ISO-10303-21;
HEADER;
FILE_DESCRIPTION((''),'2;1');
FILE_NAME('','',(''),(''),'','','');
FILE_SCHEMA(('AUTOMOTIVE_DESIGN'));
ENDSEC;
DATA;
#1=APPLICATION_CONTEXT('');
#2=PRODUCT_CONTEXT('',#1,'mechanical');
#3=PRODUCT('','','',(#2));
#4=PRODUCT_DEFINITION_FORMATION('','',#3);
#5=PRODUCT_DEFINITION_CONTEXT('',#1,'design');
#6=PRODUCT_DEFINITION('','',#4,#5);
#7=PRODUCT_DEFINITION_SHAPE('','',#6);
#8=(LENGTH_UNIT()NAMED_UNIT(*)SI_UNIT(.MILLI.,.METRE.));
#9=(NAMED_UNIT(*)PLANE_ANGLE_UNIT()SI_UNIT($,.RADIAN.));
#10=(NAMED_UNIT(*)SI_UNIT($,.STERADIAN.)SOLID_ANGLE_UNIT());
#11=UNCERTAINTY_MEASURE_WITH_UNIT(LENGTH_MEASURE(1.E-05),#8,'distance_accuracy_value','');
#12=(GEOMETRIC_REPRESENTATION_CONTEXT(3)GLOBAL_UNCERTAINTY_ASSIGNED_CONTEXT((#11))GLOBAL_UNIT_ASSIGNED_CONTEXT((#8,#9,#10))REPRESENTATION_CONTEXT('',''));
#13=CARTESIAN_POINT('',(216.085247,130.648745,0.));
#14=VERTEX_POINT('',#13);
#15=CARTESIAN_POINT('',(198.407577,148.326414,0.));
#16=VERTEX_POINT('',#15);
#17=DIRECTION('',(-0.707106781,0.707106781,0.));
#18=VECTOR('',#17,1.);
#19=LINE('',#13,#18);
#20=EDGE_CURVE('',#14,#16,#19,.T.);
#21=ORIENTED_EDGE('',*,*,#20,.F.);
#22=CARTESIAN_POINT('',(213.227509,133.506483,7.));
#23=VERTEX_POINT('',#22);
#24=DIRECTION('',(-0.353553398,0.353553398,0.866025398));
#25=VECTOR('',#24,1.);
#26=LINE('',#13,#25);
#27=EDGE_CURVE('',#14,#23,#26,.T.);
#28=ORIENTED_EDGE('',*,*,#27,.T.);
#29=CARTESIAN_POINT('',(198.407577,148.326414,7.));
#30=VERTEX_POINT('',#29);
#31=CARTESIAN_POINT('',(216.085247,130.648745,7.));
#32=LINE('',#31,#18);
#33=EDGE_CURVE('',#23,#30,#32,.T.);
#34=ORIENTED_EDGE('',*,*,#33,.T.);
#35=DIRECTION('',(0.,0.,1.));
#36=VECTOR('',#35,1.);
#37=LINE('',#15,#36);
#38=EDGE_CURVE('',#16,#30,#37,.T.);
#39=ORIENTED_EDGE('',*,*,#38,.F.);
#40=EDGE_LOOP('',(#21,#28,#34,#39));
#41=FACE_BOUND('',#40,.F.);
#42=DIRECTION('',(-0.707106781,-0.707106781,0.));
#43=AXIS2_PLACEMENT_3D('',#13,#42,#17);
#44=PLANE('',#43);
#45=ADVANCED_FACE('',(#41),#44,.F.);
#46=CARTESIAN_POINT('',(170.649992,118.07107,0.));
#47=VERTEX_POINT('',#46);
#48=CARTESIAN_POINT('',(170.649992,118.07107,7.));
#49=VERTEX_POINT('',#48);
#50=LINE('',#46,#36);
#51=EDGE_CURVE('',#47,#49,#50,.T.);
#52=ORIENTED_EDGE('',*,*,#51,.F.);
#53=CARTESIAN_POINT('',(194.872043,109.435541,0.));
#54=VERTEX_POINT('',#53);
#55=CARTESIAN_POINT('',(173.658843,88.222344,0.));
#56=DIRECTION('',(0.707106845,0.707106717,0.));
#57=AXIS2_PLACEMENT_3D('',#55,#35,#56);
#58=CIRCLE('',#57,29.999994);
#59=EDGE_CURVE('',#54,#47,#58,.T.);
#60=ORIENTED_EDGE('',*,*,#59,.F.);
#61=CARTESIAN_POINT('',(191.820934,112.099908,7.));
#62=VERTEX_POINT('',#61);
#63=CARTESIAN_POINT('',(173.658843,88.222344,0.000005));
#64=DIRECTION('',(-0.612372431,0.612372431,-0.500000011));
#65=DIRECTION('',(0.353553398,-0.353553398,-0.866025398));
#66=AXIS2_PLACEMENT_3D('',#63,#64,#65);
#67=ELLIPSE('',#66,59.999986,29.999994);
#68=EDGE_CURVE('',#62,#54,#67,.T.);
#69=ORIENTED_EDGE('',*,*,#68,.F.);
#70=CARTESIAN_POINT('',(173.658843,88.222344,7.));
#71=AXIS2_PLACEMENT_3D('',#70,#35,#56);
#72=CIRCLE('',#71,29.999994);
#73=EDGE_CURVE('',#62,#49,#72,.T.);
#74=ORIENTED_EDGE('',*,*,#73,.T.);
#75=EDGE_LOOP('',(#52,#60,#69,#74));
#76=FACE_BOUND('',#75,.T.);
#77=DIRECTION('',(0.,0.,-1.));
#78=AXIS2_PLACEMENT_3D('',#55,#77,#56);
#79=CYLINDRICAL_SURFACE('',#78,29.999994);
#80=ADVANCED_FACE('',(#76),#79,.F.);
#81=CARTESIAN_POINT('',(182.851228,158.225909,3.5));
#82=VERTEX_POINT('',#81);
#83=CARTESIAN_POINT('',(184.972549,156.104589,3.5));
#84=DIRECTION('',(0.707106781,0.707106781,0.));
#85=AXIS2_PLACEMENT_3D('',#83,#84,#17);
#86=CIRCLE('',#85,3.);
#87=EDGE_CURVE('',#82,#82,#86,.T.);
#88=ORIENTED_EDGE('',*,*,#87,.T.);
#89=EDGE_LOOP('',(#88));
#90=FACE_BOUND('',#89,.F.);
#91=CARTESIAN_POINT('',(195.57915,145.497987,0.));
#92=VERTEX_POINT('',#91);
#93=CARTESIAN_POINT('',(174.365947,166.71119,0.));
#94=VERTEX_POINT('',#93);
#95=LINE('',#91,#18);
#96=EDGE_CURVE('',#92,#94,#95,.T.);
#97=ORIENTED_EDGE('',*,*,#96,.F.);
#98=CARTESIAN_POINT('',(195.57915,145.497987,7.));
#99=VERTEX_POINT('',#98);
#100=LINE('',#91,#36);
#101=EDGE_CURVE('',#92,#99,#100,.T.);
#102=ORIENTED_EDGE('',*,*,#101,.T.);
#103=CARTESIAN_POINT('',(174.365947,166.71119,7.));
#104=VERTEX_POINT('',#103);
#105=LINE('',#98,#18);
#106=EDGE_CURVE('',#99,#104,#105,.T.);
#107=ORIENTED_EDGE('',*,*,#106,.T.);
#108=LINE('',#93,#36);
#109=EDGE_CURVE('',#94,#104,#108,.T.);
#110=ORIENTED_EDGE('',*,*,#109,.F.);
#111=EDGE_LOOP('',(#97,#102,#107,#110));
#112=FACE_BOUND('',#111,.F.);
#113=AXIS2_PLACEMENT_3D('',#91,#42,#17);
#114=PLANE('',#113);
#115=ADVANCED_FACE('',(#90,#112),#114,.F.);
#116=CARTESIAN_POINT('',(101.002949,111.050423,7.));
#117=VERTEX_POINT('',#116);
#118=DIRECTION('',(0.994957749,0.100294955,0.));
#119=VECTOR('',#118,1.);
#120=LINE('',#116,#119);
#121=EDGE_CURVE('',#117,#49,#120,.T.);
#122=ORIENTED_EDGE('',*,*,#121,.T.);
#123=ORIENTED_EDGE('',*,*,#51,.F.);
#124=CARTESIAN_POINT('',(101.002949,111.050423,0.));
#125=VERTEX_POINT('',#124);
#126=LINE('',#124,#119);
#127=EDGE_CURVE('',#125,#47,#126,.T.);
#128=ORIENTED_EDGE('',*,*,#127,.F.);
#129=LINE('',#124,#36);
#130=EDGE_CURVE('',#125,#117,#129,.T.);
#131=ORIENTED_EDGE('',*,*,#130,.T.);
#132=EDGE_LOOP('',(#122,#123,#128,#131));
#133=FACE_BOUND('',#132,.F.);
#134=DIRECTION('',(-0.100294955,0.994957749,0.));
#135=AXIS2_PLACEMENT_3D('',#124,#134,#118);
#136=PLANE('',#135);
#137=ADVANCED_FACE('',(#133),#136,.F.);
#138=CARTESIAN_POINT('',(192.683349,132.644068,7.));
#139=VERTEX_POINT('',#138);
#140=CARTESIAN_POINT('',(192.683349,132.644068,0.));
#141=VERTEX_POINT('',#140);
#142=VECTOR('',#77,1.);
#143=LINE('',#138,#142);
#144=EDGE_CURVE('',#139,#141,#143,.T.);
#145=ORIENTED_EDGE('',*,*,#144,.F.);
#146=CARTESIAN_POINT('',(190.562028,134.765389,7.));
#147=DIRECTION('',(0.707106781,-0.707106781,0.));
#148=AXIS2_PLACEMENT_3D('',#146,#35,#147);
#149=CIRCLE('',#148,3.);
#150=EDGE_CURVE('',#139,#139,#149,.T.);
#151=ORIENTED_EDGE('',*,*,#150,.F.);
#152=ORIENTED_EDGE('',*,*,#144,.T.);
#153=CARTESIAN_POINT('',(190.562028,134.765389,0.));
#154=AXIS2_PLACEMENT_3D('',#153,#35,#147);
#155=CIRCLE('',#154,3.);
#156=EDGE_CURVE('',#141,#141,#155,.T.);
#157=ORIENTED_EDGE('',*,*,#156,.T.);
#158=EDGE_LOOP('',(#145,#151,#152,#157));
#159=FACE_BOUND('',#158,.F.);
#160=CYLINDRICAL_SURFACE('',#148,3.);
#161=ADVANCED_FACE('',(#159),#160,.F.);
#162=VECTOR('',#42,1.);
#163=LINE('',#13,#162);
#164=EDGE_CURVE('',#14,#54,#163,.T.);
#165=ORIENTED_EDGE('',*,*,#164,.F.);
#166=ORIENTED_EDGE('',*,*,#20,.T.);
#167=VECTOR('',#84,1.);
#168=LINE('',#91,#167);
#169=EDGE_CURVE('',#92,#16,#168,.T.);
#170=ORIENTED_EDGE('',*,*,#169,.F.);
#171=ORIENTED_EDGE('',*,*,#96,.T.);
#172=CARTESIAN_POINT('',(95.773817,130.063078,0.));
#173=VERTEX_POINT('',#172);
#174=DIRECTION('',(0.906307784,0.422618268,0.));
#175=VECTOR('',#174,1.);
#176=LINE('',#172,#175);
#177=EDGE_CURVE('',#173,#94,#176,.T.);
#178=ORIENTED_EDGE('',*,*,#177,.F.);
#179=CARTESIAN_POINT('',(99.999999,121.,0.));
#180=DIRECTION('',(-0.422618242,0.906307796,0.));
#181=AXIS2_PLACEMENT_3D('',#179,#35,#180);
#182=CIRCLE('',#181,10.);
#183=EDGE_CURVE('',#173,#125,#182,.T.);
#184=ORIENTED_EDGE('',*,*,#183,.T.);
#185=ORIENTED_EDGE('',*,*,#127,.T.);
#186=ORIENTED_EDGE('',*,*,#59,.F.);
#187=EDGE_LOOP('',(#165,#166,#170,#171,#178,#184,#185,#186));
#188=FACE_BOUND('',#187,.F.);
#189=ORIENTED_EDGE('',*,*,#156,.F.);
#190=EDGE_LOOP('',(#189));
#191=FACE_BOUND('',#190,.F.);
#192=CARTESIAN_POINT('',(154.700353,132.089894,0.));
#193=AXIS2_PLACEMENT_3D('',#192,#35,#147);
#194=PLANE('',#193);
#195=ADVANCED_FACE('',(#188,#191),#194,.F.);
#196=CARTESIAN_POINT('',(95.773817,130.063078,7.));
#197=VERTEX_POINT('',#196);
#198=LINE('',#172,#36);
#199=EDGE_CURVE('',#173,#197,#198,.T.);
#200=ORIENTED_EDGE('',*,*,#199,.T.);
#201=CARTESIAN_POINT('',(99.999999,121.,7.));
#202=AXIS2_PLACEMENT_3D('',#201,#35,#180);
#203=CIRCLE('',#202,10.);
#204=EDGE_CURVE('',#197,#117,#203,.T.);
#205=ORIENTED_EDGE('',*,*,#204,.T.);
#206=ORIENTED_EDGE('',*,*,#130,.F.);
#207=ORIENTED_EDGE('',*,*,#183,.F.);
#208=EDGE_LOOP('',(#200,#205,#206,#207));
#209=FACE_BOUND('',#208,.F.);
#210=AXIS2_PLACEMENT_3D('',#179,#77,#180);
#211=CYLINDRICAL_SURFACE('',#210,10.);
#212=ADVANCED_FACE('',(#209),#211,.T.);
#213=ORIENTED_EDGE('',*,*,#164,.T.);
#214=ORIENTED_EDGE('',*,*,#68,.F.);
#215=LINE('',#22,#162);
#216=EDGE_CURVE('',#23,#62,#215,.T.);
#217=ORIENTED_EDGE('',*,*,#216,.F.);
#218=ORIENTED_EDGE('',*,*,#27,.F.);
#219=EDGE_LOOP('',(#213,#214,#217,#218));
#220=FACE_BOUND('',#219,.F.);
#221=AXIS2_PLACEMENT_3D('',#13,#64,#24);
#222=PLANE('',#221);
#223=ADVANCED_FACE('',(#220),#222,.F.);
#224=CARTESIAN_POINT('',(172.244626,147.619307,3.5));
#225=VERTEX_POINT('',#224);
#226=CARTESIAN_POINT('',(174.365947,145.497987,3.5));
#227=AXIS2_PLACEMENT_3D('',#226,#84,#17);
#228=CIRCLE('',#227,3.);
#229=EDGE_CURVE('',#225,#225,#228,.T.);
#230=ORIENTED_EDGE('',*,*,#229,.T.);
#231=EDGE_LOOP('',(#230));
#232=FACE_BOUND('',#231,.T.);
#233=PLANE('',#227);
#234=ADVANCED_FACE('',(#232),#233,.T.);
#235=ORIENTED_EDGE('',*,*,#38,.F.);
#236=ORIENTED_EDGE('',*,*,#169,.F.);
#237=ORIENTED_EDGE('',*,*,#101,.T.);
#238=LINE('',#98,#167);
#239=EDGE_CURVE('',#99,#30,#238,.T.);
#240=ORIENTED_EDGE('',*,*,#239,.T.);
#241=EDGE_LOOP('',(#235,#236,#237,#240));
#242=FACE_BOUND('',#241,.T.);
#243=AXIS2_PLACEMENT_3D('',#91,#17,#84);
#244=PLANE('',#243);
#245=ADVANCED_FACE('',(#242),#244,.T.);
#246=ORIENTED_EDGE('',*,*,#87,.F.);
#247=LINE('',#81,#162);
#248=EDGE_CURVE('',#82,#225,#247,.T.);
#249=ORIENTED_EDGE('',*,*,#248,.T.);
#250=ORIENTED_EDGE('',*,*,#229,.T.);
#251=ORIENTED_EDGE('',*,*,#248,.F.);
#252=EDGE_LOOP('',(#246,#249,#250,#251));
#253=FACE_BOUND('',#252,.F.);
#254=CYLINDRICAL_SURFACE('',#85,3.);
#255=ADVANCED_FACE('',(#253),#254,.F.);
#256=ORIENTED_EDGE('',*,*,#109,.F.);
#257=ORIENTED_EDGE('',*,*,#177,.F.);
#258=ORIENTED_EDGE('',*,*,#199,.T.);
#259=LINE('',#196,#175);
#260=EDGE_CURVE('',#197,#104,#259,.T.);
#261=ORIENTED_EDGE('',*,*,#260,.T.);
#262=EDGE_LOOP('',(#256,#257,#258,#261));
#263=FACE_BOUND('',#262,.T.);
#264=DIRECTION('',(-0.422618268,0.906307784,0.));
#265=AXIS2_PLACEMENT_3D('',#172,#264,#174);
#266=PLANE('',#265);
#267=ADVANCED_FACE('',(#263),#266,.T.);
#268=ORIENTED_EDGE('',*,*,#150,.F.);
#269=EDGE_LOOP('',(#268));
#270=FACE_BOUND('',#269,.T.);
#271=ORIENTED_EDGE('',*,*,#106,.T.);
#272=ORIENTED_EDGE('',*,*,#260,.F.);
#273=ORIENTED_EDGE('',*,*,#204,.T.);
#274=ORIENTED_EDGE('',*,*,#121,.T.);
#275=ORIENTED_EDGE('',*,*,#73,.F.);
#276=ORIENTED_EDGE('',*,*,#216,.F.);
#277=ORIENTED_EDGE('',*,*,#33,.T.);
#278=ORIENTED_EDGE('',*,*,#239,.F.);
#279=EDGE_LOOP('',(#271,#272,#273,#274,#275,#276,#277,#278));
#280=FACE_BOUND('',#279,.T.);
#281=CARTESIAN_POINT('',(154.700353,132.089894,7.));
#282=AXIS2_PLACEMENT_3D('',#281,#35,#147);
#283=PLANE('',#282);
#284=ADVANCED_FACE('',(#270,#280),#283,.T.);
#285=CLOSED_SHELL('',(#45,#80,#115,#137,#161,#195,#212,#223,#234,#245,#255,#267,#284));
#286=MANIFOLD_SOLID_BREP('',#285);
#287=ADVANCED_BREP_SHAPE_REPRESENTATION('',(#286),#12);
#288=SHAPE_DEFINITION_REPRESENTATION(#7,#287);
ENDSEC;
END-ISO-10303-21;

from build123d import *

# Parameters (mm, degrees)
PAD002_DEPTH             = 7
SKETCH025_R              = 3
POCKET018_DEPTH          = 15
POCKET019_DEPTH          = 98.908358
SKETCH028_R              = 3
POCKET021_DEPTH          = 7.001
CLONE002_PLACEMENT_ANGLE = 45


with BuildPart() as part:
    # Sketch023 → Pad002 (new body)
    with BuildSketch(Plane.XY):
        with BuildLine():
            Line((75.261973, 88.907358), (50.261973, 88.907358))
            Line((50.261973, 84.907358), (50.261973, 88.907358))
            Line((50.261973, 84.907358), (20.261973, 84.907358))
            Line((-9.396926, 3.420201), (20.261973, 84.907358))
            ThreePointArc((-9.396926, 3.420201), (-4.942745, -8.693059), (7.744606, -6.326221))
            Line((7.744606, -6.326221), (52.028155, 47.886022))
            ThreePointArc((75.261973, 58.907358), (62.404289, 56.012339), (52.028155, 47.886022))
            Line((75.261973, 88.907358), (75.261973, 58.907358))
        make_face()
    extrude(amount=PAD002_DEPTH)

    # Sketch025 (on Face4 of Pad002) → Pocket018 (cut)
    with BuildSketch(Plane(origin=(0, 84.907358, 0), x_dir=(-1, 0, 0), z_dir=(0, 1, 0))):
        with Locations((-35.261973, 3.5)):
            Circle(SKETCH025_R)
    extrude(amount=-POCKET018_DEPTH, mode=Mode.SUBTRACT)

    # Sketch026 (on Face2 of Pocket018) → Pocket019 (cut, through all)
    with BuildSketch(Plane(origin=(0, 88.907358, 0), x_dir=(-1, 0, 0), z_dir=(0, 1, 0))):
        Polygon((-75.261973, 7), (-75.261973, 0), (-71.220521, 7), align=None)
    extrude(amount=-POCKET019_DEPTH, mode=Mode.SUBTRACT)

    # Sketch028 → Pocket021 (cut, through all)
    with BuildSketch(Plane.XY.offset(7)):
        with Locations((54.303425, 73.770624)):
            Circle(SKETCH028_R)
    extrude(amount=-POCKET021_DEPTH, mode=Mode.SUBTRACT)


with BuildPart() as part_1:
    # Body002 placement: moved
    add(part.part.moved(Location((-250, 0, 0))))


with BuildPart() as part_2:
    # Clone002 placement: moved
    add(part_1.part.moved(Location((276.776695, -55.776695, 0))).rotate(Axis((276.776695, -55.776695, 0), (0, 0, -1)), CLONE002_PLACEMENT_ANGLE))


solid = part_2.part
